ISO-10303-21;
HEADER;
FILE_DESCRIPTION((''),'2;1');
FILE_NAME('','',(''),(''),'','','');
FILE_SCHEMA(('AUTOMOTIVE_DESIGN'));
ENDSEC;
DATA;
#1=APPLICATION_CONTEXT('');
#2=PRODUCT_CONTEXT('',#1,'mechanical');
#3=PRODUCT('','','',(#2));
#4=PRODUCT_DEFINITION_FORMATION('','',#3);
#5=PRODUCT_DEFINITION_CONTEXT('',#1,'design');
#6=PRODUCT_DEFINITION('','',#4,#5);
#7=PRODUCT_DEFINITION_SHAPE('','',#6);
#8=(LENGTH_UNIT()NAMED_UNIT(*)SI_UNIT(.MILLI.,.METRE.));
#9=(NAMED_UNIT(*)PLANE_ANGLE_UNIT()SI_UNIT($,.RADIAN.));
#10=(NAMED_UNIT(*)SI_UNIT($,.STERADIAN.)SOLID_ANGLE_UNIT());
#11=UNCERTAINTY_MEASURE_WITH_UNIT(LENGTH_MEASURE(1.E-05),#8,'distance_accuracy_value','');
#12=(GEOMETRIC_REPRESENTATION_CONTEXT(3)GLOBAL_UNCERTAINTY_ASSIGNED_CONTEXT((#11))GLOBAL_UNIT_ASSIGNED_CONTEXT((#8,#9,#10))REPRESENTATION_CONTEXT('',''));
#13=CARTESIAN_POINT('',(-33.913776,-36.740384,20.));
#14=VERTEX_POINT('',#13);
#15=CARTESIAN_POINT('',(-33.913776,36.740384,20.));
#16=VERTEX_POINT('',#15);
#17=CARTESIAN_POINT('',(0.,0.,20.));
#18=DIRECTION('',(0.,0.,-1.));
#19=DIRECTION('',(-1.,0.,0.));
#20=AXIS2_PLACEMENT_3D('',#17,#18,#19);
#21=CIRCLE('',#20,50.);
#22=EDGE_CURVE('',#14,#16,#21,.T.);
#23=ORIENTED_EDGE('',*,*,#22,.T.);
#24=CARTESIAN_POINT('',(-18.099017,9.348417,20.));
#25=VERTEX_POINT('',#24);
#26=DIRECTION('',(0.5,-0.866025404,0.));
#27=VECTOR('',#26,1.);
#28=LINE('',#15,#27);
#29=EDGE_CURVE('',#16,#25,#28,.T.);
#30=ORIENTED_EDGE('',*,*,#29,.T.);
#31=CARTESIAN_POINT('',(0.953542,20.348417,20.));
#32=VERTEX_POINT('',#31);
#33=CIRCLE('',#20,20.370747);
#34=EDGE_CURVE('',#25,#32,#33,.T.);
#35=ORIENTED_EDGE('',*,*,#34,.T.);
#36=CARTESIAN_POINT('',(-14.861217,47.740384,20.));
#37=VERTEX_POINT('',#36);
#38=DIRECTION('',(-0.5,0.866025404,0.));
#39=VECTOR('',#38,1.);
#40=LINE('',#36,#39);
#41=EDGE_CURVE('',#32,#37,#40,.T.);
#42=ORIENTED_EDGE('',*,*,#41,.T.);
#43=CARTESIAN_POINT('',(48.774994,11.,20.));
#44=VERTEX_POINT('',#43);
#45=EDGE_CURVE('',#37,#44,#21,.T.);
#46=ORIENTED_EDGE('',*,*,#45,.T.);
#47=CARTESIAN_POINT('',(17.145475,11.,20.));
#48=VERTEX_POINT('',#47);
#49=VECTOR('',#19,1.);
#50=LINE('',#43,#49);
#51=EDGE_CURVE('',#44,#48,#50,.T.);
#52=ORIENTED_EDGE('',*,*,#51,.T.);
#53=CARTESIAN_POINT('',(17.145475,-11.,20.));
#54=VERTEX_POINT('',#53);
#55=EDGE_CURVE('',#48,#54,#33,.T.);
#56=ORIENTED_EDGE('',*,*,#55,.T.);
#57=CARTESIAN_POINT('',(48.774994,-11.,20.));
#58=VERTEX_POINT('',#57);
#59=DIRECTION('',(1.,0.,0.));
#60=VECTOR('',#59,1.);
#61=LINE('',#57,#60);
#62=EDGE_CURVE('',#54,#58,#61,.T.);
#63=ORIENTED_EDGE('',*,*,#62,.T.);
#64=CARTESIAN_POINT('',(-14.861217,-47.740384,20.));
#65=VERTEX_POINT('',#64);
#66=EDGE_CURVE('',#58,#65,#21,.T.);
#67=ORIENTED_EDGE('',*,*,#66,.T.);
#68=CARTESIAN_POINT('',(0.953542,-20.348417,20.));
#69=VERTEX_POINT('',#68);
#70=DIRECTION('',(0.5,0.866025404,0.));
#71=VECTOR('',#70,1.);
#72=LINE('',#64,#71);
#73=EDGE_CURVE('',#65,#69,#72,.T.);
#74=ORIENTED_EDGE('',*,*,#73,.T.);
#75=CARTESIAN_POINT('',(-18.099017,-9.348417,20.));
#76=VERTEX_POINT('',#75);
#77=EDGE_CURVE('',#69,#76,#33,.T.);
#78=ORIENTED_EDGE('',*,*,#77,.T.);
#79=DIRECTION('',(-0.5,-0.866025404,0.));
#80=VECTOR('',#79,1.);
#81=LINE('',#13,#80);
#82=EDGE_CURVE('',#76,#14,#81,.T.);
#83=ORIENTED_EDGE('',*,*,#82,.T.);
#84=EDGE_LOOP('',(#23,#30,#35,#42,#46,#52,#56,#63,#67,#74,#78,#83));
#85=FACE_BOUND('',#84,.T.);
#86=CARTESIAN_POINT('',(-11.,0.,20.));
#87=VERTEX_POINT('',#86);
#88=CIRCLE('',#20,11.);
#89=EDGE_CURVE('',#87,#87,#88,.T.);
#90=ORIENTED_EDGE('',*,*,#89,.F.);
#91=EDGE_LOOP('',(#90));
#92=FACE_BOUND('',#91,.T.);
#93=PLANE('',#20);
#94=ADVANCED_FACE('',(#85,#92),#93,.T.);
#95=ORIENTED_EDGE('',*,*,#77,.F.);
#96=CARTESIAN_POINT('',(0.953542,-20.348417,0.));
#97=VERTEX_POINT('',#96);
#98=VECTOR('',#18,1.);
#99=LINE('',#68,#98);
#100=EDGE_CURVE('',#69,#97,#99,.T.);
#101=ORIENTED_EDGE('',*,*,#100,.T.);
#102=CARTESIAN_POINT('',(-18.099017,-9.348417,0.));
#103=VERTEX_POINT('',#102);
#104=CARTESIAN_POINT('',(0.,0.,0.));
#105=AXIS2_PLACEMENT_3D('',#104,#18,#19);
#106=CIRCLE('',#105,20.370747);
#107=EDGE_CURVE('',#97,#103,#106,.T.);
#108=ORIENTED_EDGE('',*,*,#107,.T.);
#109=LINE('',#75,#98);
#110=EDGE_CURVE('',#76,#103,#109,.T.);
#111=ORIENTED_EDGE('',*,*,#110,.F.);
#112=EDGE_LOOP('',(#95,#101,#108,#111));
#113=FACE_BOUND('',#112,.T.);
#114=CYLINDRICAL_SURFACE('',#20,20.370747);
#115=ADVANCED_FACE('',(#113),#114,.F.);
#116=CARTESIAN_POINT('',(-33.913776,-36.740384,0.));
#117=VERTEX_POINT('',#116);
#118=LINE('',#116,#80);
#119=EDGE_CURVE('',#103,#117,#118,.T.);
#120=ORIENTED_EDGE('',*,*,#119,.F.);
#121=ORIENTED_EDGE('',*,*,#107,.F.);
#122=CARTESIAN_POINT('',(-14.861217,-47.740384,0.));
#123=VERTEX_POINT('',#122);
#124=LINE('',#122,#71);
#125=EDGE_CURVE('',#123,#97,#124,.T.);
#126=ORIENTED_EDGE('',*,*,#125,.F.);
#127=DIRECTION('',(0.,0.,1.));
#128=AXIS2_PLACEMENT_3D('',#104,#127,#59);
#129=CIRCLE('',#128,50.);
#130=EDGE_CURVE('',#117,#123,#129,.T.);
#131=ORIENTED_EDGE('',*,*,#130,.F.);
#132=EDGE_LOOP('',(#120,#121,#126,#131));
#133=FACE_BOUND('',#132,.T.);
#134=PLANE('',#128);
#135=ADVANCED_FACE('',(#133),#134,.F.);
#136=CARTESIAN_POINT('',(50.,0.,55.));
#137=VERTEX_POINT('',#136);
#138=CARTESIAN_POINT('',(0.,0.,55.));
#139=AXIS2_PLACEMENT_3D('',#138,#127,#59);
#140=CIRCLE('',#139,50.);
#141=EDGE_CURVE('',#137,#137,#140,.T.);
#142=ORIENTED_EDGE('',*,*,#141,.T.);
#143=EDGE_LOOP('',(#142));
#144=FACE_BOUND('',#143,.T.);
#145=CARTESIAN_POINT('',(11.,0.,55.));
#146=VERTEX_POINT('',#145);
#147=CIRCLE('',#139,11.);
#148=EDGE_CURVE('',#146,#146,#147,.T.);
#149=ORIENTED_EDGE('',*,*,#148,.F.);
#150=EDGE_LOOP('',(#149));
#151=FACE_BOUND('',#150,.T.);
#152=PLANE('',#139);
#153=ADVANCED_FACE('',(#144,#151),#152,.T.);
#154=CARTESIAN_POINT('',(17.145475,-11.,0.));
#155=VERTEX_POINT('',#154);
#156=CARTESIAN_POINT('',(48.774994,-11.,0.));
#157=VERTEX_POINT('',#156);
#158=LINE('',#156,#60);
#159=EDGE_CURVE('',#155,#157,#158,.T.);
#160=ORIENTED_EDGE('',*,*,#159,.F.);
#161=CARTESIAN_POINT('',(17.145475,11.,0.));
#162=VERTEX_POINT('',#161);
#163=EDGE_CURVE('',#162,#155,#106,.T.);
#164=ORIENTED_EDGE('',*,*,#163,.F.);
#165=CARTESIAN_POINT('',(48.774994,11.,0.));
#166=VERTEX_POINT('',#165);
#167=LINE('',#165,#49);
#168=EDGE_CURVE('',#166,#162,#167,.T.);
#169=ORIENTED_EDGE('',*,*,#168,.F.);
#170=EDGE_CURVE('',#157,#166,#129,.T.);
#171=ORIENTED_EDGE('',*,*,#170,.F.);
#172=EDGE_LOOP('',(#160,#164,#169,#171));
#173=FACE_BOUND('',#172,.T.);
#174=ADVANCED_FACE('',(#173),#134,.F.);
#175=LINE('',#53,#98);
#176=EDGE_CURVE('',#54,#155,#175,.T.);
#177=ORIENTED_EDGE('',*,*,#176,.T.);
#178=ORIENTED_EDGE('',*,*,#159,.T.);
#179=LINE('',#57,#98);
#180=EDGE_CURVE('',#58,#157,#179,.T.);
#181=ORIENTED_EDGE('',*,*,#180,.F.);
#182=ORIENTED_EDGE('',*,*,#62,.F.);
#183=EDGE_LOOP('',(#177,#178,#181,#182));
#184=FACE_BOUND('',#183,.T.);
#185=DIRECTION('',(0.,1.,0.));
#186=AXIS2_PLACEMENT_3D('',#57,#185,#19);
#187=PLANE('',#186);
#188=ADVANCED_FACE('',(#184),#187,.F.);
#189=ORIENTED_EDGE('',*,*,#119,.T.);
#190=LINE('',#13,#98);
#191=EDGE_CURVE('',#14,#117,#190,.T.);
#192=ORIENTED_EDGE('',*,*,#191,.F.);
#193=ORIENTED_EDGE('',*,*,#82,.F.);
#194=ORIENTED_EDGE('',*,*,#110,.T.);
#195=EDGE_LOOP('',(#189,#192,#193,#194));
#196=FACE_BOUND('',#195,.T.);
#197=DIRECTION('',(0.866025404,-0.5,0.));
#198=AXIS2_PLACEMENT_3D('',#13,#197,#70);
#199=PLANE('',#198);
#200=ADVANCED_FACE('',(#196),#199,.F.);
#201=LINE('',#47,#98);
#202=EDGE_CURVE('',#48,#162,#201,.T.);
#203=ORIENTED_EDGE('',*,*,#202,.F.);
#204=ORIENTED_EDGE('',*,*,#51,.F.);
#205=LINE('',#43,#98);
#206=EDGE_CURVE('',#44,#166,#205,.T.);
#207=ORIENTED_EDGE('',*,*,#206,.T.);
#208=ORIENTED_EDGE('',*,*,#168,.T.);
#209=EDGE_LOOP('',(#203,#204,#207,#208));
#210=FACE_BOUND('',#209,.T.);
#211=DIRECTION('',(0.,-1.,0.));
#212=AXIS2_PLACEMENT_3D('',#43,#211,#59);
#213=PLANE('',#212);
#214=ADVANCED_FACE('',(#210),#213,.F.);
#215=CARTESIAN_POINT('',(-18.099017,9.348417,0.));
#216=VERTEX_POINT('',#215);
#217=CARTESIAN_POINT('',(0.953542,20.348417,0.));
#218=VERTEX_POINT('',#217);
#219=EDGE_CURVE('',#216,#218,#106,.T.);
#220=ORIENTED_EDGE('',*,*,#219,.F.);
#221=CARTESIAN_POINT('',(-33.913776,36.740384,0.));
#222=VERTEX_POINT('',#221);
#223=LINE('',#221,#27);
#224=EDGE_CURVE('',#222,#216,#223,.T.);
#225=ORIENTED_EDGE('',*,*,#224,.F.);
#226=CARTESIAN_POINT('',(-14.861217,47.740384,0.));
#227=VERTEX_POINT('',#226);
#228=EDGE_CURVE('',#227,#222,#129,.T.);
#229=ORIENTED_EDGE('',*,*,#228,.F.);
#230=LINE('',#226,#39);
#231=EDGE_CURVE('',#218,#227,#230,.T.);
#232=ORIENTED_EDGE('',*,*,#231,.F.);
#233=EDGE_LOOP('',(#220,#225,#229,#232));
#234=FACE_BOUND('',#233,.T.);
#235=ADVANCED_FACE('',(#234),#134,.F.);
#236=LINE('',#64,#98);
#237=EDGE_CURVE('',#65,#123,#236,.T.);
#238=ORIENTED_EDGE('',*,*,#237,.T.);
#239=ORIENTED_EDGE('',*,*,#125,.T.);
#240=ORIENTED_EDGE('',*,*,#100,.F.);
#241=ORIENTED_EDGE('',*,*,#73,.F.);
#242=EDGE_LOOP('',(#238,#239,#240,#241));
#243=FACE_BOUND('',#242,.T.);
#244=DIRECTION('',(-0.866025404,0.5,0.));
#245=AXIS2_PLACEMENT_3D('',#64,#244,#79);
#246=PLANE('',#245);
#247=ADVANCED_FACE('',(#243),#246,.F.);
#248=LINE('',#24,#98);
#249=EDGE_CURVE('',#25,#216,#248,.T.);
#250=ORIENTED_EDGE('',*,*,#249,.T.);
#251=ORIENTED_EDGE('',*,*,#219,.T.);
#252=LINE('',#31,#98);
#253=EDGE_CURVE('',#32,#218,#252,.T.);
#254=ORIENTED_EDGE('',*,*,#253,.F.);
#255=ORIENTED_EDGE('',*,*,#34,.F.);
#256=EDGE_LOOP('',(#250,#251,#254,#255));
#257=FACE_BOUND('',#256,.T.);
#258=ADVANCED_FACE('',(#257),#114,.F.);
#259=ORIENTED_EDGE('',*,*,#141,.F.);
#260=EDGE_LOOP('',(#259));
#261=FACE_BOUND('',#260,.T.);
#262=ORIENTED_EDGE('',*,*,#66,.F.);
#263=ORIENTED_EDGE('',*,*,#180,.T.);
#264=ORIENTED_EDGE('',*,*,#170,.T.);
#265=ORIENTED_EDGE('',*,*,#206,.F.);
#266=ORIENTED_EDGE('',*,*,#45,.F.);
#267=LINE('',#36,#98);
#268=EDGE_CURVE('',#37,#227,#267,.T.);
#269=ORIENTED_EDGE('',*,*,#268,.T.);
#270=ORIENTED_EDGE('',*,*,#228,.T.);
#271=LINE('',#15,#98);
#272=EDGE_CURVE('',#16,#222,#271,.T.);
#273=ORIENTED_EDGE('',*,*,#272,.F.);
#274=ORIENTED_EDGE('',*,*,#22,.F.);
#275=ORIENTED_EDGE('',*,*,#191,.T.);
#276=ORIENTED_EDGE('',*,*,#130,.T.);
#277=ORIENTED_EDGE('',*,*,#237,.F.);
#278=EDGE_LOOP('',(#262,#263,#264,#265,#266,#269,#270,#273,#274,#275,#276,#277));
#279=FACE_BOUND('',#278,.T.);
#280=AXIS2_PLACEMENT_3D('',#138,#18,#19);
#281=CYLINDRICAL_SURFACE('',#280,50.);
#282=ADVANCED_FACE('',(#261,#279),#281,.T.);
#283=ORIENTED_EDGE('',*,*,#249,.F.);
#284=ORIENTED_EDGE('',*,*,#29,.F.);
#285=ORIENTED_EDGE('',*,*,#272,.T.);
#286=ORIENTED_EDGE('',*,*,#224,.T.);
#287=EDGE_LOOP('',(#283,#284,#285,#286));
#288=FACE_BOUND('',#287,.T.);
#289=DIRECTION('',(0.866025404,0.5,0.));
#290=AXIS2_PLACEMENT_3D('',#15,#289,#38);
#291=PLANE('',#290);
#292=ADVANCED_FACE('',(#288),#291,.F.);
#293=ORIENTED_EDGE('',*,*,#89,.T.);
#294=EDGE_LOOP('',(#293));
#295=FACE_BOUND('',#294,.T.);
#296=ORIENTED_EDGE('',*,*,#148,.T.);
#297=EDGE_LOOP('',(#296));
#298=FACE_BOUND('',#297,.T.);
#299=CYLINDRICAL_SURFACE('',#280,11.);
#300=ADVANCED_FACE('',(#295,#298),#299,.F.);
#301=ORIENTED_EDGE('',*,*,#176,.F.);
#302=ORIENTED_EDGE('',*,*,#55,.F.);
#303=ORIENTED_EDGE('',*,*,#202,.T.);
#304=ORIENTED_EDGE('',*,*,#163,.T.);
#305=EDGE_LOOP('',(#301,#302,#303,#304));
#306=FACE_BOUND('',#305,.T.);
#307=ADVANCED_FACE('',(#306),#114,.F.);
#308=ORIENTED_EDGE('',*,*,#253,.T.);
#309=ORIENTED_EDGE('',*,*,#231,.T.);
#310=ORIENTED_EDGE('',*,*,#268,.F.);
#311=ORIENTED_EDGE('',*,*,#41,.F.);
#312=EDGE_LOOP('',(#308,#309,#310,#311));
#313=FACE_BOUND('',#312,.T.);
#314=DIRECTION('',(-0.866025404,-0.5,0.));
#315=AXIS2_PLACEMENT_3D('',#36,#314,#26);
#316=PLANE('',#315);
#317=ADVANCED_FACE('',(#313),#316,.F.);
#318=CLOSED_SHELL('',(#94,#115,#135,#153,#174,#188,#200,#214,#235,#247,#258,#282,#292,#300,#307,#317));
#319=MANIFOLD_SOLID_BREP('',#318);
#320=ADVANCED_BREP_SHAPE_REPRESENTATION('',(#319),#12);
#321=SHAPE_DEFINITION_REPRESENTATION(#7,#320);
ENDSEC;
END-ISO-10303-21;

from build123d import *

# Parameters (mm, degrees)
SKETCH1_R           = 50
SKETCH1_R_2         = 11
BOSS_EXTRUDE1_DEPTH = 55
CUT_EXTRUDE2_DEPTH  = 20


with BuildPart() as part:
    # Sketch1 → Boss-Extrude1 (new body)
    with BuildSketch(Plane.XY):
        Circle(SKETCH1_R)
        Circle(SKETCH1_R_2, mode=Mode.SUBTRACT)
    extrude(amount=BOSS_EXTRUDE1_DEPTH)

    # Sketch3 → Cut-Extrude2 (cut)
    with BuildSketch(Plane(origin=(0, 0, 0), x_dir=(-1, 0, 0), z_dir=(0, 0, -1))):
        with BuildLine():
            Line((-48.774993593, -11), (-17.145475472, -11))
            ThreePointArc((-17.145475472, -11), (-20.370746897, 0), (-17.145475472, 11))
            Line((-17.145475472, 11), (-48.774993593, 11))
            ThreePointArc((-48.774993593, 11), (-25, 43.301270189), (14.861217355, 47.740383521))
            Line((14.861217355, 47.740383521), (-0.953541706, 20.348417319))
            ThreePointArc((-0.953541706, 20.348417319), (10.185373449, 17.641584307), (18.099017178, 9.348417319))
            Line((18.099017178, 9.348417319), (33.913776238, 36.740383521))
            ThreePointArc((33.913776238, 36.740383521), (50, 0), (33.913776238, -36.740383521))
            Line((33.913776238, -36.740383521), (18.099017178, -9.348417319))
            ThreePointArc((18.099017178, -9.348417319), (10.185373449, -17.641584307), (-0.953541706, -20.348417319))
            Line((-0.953541706, -20.348417319), (14.861217355, -47.740383521))
            ThreePointArc((14.861217355, -47.740383521), (-25, -43.301270189), (-48.774993593, -11))
        make_face()
    extrude(amount=-CUT_EXTRUDE2_DEPTH, mode=Mode.SUBTRACT)


solid = part.part
